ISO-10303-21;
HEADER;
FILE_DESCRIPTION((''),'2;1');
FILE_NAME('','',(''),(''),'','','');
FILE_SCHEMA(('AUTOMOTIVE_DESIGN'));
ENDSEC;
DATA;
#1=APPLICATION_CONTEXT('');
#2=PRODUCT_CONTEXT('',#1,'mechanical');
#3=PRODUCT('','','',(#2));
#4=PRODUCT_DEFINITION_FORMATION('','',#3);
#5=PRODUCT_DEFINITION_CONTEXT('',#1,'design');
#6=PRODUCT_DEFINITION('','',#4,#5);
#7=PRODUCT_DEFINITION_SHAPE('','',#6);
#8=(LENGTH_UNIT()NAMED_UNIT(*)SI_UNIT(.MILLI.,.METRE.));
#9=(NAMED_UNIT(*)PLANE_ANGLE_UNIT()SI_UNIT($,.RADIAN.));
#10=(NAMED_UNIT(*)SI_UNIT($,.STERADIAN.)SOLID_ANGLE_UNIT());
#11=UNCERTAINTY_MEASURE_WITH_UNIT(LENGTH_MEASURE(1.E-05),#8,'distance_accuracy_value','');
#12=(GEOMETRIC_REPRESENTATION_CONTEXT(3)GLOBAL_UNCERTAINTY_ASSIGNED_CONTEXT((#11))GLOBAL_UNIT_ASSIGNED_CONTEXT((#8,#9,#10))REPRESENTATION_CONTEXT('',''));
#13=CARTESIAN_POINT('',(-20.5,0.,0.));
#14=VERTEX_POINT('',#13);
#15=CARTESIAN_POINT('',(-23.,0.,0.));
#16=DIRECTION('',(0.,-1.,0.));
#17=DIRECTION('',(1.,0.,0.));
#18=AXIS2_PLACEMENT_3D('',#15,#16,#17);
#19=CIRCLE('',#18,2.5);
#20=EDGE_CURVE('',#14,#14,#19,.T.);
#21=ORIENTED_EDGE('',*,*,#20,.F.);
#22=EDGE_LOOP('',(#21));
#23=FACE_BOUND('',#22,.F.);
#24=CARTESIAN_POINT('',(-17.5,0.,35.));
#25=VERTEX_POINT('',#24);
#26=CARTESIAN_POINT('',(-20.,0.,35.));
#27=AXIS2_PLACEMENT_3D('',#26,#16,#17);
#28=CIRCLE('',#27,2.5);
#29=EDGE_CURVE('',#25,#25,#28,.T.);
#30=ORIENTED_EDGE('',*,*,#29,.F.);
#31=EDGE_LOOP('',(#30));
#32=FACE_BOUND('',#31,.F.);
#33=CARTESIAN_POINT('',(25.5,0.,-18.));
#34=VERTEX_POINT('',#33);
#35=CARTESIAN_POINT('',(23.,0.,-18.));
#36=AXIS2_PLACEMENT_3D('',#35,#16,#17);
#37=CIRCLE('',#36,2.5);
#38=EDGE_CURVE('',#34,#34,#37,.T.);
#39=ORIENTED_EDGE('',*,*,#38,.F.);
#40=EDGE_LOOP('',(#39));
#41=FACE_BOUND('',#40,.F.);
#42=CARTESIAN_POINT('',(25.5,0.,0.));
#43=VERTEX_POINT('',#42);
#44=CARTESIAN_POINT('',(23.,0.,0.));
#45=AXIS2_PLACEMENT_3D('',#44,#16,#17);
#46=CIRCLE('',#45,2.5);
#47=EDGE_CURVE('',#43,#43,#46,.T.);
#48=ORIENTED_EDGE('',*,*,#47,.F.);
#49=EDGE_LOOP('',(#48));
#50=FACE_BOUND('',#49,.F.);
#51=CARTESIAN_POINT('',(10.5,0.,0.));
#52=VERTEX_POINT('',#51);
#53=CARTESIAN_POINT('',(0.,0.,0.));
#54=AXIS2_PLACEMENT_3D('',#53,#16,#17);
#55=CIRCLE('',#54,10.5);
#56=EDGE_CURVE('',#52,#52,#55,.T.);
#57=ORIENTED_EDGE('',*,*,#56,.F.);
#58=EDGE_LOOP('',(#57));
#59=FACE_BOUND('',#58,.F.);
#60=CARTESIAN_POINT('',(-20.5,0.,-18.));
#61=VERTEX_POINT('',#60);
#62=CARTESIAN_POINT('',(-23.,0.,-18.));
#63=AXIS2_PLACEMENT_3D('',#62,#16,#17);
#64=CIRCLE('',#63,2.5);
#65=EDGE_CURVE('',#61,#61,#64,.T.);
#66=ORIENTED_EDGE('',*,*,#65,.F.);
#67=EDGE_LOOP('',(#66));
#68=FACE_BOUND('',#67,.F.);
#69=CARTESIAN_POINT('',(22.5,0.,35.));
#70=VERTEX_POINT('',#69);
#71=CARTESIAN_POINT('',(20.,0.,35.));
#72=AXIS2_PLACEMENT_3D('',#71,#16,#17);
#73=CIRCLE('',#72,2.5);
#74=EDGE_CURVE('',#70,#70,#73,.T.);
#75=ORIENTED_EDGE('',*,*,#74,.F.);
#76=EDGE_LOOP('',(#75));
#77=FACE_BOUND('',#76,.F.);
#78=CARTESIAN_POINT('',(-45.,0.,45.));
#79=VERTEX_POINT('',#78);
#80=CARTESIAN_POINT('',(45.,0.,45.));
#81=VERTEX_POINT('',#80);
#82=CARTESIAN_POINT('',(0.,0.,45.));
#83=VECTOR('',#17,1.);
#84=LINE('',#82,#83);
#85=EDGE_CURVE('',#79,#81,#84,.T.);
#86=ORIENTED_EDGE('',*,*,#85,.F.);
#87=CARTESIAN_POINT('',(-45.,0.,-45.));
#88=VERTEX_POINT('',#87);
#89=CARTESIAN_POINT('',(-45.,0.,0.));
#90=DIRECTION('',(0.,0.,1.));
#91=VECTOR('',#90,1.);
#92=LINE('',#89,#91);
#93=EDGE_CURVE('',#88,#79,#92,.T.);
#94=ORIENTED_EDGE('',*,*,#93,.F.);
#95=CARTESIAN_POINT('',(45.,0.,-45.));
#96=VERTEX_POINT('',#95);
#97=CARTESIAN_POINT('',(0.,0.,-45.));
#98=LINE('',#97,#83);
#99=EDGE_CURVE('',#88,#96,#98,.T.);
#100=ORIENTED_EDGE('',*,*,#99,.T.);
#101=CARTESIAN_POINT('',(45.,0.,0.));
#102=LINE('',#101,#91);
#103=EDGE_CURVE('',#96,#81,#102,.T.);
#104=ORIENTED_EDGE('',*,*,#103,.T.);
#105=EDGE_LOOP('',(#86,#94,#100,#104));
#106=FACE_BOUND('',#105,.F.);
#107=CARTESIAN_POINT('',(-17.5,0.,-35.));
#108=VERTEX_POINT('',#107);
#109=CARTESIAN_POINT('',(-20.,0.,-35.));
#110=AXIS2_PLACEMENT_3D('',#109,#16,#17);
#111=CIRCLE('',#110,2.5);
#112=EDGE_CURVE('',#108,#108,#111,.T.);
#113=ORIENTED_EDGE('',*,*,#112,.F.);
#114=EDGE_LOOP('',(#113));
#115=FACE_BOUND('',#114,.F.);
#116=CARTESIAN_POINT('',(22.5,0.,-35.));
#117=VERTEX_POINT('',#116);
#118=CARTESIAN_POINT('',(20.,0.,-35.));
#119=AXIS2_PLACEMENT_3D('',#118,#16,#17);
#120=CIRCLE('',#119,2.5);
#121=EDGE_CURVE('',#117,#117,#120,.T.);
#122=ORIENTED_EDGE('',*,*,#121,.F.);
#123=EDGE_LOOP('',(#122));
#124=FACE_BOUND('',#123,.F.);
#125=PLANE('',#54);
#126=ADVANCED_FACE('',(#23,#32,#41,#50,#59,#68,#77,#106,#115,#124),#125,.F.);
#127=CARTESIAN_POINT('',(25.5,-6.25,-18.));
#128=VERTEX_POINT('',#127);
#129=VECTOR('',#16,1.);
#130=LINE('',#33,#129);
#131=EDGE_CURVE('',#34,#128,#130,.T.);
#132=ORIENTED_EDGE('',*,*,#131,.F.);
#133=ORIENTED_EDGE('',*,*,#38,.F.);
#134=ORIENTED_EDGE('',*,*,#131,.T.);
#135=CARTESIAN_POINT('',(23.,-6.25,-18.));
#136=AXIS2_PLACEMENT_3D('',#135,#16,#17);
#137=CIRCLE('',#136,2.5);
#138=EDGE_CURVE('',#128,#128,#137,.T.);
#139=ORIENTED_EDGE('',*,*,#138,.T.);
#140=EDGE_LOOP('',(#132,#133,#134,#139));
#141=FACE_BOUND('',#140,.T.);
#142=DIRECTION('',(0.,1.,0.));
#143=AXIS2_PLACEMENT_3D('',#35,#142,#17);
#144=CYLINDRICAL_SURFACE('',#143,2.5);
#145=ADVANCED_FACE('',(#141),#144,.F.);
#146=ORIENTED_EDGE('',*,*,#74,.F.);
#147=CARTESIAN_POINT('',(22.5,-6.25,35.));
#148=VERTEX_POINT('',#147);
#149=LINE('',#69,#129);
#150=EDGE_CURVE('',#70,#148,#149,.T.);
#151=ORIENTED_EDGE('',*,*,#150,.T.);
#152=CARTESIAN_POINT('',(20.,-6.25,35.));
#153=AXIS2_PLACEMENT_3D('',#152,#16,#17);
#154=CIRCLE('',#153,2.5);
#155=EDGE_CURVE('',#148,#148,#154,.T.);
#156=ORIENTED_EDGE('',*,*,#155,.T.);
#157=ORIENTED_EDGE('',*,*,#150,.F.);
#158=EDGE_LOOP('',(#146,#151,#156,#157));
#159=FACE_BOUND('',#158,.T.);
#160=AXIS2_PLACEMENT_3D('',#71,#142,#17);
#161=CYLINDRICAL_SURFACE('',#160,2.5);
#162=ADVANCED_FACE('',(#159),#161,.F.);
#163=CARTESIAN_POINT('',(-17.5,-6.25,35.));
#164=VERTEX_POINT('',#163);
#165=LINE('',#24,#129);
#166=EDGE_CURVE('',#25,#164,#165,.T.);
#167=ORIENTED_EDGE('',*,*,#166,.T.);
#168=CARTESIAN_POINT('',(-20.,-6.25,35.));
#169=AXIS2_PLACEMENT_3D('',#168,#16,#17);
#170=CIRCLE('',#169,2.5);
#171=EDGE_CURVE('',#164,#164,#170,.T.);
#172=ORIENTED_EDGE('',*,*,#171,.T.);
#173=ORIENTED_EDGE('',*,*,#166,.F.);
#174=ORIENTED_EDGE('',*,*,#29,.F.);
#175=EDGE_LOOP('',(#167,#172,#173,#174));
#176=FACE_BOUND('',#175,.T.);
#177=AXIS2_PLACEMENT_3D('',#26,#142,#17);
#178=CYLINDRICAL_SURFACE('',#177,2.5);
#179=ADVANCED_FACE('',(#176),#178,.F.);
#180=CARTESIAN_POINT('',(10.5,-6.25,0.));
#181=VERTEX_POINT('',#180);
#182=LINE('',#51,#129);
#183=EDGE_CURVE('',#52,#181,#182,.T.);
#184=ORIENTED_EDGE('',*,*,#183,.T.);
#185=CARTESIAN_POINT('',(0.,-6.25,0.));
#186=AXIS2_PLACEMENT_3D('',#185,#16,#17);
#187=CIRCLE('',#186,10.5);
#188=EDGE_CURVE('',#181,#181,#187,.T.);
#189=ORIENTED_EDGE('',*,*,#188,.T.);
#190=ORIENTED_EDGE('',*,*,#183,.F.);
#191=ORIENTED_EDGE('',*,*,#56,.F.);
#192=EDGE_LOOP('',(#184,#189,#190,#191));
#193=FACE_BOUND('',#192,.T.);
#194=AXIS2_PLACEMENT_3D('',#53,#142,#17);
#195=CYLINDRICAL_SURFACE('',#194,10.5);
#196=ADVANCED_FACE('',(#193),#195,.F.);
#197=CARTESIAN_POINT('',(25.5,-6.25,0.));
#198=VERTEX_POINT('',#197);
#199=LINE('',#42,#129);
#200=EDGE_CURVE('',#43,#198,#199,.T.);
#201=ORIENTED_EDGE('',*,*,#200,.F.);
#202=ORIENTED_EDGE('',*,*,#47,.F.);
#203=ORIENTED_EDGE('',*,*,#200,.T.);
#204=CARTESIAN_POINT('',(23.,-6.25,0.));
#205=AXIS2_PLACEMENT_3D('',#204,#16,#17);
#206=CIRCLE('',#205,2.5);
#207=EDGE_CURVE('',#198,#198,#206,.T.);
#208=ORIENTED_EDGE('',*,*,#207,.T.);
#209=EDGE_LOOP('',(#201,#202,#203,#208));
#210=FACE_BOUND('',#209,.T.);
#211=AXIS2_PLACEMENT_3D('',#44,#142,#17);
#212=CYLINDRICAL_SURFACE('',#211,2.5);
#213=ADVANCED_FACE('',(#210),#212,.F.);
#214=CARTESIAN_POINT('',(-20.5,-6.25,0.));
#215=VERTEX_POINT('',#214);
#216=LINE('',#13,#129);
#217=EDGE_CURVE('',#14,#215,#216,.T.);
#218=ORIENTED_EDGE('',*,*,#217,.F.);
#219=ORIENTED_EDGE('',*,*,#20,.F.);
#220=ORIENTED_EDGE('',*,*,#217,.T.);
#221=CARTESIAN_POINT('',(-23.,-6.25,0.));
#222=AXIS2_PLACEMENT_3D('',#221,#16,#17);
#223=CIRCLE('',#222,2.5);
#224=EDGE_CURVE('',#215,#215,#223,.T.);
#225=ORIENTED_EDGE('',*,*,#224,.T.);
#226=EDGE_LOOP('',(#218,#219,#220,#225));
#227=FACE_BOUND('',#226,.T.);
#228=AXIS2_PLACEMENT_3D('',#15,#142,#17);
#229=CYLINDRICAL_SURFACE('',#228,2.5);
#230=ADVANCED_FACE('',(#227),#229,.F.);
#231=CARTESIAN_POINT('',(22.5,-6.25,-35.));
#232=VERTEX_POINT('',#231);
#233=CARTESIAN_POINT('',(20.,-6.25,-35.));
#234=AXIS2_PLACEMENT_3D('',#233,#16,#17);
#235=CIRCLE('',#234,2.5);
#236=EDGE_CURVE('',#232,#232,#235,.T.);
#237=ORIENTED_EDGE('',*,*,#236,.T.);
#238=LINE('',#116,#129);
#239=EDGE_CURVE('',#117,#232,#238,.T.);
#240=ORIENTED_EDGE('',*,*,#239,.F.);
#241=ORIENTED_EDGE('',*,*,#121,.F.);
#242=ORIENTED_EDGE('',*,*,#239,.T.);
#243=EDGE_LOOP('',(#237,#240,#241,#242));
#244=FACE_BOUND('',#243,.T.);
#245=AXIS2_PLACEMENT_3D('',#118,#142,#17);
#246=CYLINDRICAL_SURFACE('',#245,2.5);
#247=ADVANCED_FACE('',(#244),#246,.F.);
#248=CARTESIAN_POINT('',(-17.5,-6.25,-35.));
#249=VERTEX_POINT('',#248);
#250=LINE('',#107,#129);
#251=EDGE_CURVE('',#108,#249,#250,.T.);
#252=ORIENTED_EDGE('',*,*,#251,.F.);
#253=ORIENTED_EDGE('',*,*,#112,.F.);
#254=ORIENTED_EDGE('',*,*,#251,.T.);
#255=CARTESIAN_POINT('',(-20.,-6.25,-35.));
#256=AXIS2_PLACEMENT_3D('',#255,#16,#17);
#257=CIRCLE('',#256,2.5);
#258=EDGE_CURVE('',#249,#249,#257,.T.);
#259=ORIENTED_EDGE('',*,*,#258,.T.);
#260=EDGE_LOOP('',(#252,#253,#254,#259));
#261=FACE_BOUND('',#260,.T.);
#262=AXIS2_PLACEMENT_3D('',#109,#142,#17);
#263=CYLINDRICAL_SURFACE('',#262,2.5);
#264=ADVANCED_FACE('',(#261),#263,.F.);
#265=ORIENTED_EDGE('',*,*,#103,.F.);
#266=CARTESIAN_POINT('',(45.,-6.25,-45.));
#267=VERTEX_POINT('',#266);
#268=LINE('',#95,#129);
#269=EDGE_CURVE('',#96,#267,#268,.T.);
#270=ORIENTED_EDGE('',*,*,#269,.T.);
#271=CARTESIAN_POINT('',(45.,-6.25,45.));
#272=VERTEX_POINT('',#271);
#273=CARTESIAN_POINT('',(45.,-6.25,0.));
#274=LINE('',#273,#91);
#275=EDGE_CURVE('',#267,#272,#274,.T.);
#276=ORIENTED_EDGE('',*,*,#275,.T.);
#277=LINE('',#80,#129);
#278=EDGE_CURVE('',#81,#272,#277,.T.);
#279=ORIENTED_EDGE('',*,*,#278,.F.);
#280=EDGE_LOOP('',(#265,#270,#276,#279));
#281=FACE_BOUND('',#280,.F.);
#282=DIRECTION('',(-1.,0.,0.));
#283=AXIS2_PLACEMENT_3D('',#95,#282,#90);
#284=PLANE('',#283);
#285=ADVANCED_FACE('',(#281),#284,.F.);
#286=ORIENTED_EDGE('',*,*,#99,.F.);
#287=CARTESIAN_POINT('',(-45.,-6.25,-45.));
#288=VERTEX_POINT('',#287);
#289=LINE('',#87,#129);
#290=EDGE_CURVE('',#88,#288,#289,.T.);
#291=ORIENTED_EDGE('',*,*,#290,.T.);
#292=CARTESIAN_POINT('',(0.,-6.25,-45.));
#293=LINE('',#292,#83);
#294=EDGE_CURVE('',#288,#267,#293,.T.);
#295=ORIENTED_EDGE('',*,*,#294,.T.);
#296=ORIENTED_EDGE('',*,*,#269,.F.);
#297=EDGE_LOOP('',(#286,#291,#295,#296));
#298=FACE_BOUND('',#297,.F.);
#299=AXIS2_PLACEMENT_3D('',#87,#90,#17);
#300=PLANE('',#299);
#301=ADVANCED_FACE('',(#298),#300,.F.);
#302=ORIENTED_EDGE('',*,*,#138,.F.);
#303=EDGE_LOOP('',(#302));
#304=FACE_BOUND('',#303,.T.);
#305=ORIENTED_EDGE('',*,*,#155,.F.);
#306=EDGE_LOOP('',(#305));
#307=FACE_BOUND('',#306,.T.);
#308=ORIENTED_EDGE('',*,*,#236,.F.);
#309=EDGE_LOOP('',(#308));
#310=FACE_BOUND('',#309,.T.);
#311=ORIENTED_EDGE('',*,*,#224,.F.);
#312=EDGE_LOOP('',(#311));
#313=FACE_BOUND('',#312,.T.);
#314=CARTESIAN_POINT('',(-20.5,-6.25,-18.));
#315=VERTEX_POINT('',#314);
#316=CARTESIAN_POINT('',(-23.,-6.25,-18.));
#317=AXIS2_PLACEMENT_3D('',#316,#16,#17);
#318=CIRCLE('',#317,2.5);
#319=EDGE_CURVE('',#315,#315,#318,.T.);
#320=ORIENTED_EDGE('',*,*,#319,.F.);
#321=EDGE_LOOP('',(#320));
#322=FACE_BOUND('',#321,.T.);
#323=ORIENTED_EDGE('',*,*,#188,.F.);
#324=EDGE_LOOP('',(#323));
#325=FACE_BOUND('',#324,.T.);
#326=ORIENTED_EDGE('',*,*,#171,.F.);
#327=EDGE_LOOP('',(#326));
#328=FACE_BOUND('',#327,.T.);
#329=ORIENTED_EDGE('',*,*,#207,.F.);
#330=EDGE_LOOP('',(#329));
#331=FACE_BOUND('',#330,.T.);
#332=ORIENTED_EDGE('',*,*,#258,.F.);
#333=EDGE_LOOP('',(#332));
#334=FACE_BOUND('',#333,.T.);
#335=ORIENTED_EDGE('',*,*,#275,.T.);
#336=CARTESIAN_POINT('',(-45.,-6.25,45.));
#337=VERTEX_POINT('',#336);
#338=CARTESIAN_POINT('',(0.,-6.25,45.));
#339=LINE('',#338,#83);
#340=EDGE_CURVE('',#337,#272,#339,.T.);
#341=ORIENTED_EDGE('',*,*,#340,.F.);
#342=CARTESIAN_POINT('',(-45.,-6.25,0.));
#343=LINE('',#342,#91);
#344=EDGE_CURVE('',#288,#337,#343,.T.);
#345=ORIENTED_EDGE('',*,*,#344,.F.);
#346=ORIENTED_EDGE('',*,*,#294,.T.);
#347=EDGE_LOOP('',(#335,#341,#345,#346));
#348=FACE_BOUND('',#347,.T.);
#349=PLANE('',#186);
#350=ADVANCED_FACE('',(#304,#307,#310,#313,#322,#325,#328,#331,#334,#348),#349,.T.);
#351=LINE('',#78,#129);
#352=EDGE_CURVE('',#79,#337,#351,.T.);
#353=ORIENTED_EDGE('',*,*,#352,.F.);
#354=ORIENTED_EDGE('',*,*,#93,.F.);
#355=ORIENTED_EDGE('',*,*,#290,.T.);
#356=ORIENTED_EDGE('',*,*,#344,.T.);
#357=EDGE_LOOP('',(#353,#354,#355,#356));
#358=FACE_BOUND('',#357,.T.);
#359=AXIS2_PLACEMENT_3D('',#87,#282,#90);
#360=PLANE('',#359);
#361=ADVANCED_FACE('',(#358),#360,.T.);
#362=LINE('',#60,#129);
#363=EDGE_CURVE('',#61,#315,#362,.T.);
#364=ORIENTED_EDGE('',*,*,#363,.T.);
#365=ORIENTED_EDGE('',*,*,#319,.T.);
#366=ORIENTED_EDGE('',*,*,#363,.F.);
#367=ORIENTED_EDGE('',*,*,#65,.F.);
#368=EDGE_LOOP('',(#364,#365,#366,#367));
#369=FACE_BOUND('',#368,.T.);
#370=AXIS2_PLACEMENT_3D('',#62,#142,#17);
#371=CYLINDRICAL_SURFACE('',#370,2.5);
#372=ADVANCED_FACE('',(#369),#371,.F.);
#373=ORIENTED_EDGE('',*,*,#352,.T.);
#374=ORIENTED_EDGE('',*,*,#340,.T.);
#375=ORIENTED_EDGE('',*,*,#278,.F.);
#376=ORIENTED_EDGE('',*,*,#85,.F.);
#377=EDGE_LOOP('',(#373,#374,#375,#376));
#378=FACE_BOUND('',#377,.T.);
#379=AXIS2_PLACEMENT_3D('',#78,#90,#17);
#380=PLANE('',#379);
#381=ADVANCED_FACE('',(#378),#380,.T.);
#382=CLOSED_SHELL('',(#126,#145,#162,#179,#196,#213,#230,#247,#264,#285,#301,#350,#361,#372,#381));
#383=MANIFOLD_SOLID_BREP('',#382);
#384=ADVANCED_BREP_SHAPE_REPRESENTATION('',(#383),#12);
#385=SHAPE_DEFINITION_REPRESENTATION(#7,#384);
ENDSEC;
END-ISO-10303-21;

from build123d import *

# Parameters (mm, degrees)
F0_W     = 90
F0_H     = 90
F0_R     = 2.5
F0_R_2   = 10.5
F1_DEPTH = 6.25


with BuildPart() as f1:
    # F0 (on Front) → F1 (new body)
    with BuildSketch(Plane.XZ):
        Rectangle(F0_W, F0_H)
        with Locations((-20, -35)):
            Circle(F0_R, mode=Mode.SUBTRACT)
        with Locations((-23, -18)):
            Circle(F0_R, mode=Mode.SUBTRACT)
        with Locations((20, -35)):
            Circle(F0_R, mode=Mode.SUBTRACT)
        with Locations((23, -18)):
            Circle(F0_R, mode=Mode.SUBTRACT)
        with Locations((-23, 0)):
            Circle(F0_R, mode=Mode.SUBTRACT)
        with Locations((-20, 35)):
            Circle(F0_R, mode=Mode.SUBTRACT)
        Circle(F0_R_2, mode=Mode.SUBTRACT)
        with Locations((23, 0)):
            Circle(F0_R, mode=Mode.SUBTRACT)
        with Locations((20, 35)):
            Circle(F0_R, mode=Mode.SUBTRACT)
    extrude(amount=F1_DEPTH)


solid = f1.part
